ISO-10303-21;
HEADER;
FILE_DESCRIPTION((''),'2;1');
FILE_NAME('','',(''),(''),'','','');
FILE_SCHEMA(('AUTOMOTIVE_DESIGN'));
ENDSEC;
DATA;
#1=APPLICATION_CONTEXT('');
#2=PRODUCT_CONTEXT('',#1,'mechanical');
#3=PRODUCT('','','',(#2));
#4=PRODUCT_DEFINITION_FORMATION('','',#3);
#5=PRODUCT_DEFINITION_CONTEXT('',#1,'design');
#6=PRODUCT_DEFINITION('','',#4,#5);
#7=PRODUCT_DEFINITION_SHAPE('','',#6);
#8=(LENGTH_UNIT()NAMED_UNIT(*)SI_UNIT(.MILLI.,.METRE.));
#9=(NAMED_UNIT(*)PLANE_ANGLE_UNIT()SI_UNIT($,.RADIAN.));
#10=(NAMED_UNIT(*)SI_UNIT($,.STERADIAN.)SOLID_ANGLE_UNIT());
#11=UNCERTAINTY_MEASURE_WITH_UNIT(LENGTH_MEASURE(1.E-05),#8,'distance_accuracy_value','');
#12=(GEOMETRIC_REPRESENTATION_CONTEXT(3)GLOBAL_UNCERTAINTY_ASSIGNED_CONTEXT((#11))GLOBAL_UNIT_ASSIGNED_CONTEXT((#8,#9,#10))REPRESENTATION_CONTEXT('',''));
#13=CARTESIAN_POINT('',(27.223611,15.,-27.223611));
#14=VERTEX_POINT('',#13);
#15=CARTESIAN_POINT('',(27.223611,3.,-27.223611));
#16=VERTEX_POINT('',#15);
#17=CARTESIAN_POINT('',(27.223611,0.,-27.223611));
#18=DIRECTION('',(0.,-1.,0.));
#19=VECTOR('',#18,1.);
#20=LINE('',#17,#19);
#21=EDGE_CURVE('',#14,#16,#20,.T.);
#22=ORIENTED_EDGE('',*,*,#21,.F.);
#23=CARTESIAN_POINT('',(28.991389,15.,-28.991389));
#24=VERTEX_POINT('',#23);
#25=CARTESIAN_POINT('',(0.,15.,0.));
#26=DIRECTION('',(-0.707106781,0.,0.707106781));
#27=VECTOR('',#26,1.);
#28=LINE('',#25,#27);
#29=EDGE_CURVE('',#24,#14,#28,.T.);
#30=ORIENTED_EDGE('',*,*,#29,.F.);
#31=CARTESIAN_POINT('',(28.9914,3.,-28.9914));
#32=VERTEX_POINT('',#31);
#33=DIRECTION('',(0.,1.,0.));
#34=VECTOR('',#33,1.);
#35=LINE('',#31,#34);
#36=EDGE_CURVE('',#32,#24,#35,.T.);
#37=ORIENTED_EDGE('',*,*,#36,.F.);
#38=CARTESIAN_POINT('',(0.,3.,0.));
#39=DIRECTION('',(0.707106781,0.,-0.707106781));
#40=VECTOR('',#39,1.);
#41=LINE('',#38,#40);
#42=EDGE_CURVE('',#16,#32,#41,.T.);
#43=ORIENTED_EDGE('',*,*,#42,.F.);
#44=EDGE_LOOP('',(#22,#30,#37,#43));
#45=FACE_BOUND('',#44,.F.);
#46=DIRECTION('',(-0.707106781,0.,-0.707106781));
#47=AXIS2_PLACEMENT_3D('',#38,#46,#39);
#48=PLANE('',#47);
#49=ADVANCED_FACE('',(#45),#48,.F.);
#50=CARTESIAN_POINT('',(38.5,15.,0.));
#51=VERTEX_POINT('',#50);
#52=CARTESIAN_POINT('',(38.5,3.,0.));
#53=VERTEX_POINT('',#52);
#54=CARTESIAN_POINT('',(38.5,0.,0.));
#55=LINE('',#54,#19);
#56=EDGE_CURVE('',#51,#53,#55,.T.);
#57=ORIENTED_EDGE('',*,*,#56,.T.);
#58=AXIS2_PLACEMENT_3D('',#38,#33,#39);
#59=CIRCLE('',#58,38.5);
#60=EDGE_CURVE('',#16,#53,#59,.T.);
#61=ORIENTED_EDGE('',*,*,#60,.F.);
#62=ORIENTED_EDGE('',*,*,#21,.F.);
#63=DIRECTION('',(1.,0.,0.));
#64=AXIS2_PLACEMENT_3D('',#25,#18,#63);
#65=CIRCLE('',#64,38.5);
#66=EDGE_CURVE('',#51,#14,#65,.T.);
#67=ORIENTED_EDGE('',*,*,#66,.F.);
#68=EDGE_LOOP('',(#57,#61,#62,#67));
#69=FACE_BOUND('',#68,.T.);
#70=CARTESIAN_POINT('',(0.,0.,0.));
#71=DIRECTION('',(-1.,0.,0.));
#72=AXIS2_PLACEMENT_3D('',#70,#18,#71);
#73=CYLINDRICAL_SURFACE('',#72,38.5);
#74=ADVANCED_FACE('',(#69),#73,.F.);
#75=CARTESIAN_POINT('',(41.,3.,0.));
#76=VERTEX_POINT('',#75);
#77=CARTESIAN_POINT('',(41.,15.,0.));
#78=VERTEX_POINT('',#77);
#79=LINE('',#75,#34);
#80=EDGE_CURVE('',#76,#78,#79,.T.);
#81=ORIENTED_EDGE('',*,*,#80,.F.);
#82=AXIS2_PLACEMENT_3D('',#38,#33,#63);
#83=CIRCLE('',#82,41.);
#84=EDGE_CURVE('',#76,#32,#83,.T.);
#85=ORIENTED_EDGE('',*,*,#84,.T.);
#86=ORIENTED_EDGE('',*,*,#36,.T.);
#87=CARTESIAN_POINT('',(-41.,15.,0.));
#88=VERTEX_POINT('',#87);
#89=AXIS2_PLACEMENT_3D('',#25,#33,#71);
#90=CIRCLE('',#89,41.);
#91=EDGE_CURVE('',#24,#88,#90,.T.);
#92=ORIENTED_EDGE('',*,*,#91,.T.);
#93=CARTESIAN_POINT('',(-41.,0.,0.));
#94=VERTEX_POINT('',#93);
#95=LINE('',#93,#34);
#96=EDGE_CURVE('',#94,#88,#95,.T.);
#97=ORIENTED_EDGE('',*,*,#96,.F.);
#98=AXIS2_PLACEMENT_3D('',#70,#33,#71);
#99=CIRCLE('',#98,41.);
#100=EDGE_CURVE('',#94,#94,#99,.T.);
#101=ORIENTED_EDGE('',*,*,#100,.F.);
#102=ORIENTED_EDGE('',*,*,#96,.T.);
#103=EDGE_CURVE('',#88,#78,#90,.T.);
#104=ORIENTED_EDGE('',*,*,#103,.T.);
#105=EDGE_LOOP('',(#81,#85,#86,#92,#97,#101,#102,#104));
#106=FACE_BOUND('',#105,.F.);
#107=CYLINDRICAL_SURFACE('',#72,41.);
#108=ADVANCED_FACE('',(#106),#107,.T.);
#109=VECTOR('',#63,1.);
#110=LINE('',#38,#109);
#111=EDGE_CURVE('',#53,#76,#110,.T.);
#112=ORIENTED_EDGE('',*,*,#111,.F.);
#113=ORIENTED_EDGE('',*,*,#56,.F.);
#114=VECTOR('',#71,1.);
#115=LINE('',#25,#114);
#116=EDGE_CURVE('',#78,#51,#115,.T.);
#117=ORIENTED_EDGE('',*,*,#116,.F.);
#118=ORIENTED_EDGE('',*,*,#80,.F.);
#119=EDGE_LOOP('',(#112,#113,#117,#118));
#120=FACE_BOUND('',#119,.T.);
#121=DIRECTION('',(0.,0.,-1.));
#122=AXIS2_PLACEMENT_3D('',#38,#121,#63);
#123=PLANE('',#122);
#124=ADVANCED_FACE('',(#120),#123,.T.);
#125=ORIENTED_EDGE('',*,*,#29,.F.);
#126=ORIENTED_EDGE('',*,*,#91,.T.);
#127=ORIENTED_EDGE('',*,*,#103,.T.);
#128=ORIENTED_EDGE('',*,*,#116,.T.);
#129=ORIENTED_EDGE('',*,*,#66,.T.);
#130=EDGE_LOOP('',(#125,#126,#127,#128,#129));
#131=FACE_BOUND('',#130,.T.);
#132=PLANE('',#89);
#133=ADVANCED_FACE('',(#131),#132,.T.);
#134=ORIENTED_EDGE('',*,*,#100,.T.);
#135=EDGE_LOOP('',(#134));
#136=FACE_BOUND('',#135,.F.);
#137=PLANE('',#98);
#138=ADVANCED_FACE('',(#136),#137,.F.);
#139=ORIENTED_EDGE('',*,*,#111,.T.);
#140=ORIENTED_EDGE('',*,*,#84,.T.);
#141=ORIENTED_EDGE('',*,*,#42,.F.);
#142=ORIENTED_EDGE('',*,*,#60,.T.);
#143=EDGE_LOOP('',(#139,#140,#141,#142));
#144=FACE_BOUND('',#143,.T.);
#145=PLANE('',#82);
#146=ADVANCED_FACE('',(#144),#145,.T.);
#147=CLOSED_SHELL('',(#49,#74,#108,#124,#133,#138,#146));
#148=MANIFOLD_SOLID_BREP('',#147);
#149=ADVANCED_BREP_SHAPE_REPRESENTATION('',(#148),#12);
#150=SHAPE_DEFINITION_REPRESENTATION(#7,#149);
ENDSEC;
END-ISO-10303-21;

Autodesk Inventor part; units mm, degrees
ref_plane "YZ Plane" through (0, 0, 0) normal (1, 0, 0) x (0, 1, 0)
ref_plane "XZ Plane" through (0, 0, 0) normal (0, 1, 0) x (-1, 0, 0)
ref_plane "XY Plane" through (0, 0, 0) normal (0, 0, 1) x (1, 0, 0)
sketch "Sketch1" plane through (0, 0, 0) normal (0, 1, 0) x (-1, 0, 0)
  circle A0 centre (0, 0) radius 38.5
  circle A1 centre (0, 0) radius 41
  dimension "d0" = 77
  dimension "d1" = 82
extrude "Extrusion3" add sketch "Sketch1" along normal blind 3 contours A0
sketch "Sketch3" plane through (0, 0, 0) normal (0, 1, 0) x (-1, 0, 0)
  circle A0 centre (0, 0) radius 41
  circle A1 centre (0, 0) radius 38.5
  dimension "d9" = 82
  dimension "d10" = 77
extrude "Extrusion4" add sketch "Sketch3" along normal blind 15
sketch "Sketch4" plane through (0, 3, 0) normal (0, 1, 0) x (1, 0, 0)
  line L0 (0, 0) -> (41, 0)
  circle A0 centre (0, 0) radius 41 projected
  line L1 (0, 0) -> (28.9914, 28.9914)
  line L2 (0, 0) -> (41, 0) construction
  arc A1 (41, 0) -> (28.9914, 28.9914) centre (0, 0) ccw
  dimension "d13" = 41
  dimension "d14" = 45
extrude "Extrusion5" cut sketch "Sketch4" along normal blind 15 contours L1 A0 L0 picked at (21.0272, 17.2566)
properties part number "mainbody"
